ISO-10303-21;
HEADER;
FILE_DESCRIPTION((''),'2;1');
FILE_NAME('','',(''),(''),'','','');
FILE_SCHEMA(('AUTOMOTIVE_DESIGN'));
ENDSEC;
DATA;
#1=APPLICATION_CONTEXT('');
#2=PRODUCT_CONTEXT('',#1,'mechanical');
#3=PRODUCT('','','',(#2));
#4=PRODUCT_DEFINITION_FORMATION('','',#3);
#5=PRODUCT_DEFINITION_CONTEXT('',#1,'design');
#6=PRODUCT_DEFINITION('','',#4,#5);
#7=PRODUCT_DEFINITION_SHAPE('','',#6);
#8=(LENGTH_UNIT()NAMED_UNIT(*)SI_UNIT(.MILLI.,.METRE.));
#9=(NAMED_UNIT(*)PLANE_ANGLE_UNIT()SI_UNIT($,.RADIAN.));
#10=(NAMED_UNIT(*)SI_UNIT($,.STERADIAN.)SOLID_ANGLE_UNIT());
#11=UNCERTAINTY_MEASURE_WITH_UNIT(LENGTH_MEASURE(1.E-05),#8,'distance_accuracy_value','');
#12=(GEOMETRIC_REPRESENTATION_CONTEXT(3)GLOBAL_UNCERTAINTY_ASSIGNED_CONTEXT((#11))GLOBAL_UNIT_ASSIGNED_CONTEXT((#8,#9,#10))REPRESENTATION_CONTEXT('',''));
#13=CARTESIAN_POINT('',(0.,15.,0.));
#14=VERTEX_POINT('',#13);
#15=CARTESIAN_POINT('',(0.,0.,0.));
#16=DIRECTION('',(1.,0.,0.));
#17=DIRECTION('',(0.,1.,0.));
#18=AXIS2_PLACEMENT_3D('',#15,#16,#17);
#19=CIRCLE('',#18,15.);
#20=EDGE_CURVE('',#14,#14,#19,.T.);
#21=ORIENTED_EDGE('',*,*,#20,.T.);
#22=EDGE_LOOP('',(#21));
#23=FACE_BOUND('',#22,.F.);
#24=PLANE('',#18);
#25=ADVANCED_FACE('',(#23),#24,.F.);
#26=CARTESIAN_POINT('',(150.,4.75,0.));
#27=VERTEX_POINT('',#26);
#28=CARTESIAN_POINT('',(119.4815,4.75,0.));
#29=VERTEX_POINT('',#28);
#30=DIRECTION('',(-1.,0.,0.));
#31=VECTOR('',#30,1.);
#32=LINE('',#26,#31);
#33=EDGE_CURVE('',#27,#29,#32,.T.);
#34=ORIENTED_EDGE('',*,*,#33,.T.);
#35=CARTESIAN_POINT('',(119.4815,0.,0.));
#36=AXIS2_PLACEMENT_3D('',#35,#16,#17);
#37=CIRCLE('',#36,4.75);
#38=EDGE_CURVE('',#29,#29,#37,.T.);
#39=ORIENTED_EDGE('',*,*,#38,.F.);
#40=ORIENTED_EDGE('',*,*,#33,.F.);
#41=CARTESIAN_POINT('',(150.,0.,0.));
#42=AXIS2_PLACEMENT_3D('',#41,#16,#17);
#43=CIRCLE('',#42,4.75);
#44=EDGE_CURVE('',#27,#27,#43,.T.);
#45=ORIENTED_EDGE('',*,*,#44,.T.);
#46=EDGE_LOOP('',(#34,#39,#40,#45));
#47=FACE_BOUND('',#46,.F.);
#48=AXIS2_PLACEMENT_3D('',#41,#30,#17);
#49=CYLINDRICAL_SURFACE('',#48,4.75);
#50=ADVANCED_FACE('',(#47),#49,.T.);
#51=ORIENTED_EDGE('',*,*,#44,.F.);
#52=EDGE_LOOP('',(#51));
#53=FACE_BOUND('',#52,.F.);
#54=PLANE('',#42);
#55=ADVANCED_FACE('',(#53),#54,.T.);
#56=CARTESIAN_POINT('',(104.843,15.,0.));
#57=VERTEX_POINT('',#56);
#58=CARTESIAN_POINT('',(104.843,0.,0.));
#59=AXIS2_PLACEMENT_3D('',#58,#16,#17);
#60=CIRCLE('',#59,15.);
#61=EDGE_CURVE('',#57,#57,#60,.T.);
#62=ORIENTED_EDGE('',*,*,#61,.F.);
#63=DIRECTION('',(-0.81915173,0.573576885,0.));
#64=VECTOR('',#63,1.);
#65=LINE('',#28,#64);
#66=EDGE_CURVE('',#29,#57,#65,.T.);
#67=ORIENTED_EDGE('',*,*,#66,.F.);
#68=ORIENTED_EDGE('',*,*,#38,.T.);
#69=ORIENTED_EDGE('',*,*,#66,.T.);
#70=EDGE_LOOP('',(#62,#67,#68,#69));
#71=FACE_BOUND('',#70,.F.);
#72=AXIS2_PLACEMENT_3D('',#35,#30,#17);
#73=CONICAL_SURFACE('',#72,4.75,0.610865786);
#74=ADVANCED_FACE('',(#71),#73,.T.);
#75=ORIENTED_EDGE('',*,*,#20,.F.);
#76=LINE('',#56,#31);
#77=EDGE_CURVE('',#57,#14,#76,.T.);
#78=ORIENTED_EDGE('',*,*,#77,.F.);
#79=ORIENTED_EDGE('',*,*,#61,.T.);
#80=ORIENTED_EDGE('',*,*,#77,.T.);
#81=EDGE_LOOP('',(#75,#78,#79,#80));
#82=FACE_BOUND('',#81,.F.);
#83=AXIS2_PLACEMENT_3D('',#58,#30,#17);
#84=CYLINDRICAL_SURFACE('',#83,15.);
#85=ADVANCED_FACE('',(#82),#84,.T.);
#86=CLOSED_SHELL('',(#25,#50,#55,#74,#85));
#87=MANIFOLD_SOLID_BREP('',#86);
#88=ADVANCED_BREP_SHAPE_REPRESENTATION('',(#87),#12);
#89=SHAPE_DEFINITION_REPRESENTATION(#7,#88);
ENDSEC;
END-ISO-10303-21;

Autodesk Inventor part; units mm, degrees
ref_plane "YZ Plane" through (0, 0, 0) normal (1, 0, 0) x (0, 1, 0)
ref_plane "XZ Plane" through (0, 0, 0) normal (0, 1, 0) x (-1, 0, 0)
ref_plane "XY Plane" through (0, 0, 0) normal (0, 0, 1) x (1, 0, 0)
sketch "Sketch1" plane through (0, 0, 0) normal (0, 0, 1) x (1, 0, 0)
  line L0 (0, 0) -> (150, 0)
  line L1 (150, 0) -> (150, 4.75)
  line L2 (150, 4.75) -> (119.4815, 4.75)
  line L3 (119.4815, 4.75) -> (104.843, 15)
  line L4 (104.843, 15) -> (0, 15)
  line L5 (0, 15) -> (0, 0)
  dimension "d0" = 15
  dimension "d1" = 4.75
  dimension "d3" = 45.157
  dimension "d4" = 125
  dimension "d5" = 150
revolve "Revolution1" add sketch "Sketch1" angle 360 about axis through (0, 0, 0) along (1, 0, 0)
properties part number "nozzle mould tool kndx"
